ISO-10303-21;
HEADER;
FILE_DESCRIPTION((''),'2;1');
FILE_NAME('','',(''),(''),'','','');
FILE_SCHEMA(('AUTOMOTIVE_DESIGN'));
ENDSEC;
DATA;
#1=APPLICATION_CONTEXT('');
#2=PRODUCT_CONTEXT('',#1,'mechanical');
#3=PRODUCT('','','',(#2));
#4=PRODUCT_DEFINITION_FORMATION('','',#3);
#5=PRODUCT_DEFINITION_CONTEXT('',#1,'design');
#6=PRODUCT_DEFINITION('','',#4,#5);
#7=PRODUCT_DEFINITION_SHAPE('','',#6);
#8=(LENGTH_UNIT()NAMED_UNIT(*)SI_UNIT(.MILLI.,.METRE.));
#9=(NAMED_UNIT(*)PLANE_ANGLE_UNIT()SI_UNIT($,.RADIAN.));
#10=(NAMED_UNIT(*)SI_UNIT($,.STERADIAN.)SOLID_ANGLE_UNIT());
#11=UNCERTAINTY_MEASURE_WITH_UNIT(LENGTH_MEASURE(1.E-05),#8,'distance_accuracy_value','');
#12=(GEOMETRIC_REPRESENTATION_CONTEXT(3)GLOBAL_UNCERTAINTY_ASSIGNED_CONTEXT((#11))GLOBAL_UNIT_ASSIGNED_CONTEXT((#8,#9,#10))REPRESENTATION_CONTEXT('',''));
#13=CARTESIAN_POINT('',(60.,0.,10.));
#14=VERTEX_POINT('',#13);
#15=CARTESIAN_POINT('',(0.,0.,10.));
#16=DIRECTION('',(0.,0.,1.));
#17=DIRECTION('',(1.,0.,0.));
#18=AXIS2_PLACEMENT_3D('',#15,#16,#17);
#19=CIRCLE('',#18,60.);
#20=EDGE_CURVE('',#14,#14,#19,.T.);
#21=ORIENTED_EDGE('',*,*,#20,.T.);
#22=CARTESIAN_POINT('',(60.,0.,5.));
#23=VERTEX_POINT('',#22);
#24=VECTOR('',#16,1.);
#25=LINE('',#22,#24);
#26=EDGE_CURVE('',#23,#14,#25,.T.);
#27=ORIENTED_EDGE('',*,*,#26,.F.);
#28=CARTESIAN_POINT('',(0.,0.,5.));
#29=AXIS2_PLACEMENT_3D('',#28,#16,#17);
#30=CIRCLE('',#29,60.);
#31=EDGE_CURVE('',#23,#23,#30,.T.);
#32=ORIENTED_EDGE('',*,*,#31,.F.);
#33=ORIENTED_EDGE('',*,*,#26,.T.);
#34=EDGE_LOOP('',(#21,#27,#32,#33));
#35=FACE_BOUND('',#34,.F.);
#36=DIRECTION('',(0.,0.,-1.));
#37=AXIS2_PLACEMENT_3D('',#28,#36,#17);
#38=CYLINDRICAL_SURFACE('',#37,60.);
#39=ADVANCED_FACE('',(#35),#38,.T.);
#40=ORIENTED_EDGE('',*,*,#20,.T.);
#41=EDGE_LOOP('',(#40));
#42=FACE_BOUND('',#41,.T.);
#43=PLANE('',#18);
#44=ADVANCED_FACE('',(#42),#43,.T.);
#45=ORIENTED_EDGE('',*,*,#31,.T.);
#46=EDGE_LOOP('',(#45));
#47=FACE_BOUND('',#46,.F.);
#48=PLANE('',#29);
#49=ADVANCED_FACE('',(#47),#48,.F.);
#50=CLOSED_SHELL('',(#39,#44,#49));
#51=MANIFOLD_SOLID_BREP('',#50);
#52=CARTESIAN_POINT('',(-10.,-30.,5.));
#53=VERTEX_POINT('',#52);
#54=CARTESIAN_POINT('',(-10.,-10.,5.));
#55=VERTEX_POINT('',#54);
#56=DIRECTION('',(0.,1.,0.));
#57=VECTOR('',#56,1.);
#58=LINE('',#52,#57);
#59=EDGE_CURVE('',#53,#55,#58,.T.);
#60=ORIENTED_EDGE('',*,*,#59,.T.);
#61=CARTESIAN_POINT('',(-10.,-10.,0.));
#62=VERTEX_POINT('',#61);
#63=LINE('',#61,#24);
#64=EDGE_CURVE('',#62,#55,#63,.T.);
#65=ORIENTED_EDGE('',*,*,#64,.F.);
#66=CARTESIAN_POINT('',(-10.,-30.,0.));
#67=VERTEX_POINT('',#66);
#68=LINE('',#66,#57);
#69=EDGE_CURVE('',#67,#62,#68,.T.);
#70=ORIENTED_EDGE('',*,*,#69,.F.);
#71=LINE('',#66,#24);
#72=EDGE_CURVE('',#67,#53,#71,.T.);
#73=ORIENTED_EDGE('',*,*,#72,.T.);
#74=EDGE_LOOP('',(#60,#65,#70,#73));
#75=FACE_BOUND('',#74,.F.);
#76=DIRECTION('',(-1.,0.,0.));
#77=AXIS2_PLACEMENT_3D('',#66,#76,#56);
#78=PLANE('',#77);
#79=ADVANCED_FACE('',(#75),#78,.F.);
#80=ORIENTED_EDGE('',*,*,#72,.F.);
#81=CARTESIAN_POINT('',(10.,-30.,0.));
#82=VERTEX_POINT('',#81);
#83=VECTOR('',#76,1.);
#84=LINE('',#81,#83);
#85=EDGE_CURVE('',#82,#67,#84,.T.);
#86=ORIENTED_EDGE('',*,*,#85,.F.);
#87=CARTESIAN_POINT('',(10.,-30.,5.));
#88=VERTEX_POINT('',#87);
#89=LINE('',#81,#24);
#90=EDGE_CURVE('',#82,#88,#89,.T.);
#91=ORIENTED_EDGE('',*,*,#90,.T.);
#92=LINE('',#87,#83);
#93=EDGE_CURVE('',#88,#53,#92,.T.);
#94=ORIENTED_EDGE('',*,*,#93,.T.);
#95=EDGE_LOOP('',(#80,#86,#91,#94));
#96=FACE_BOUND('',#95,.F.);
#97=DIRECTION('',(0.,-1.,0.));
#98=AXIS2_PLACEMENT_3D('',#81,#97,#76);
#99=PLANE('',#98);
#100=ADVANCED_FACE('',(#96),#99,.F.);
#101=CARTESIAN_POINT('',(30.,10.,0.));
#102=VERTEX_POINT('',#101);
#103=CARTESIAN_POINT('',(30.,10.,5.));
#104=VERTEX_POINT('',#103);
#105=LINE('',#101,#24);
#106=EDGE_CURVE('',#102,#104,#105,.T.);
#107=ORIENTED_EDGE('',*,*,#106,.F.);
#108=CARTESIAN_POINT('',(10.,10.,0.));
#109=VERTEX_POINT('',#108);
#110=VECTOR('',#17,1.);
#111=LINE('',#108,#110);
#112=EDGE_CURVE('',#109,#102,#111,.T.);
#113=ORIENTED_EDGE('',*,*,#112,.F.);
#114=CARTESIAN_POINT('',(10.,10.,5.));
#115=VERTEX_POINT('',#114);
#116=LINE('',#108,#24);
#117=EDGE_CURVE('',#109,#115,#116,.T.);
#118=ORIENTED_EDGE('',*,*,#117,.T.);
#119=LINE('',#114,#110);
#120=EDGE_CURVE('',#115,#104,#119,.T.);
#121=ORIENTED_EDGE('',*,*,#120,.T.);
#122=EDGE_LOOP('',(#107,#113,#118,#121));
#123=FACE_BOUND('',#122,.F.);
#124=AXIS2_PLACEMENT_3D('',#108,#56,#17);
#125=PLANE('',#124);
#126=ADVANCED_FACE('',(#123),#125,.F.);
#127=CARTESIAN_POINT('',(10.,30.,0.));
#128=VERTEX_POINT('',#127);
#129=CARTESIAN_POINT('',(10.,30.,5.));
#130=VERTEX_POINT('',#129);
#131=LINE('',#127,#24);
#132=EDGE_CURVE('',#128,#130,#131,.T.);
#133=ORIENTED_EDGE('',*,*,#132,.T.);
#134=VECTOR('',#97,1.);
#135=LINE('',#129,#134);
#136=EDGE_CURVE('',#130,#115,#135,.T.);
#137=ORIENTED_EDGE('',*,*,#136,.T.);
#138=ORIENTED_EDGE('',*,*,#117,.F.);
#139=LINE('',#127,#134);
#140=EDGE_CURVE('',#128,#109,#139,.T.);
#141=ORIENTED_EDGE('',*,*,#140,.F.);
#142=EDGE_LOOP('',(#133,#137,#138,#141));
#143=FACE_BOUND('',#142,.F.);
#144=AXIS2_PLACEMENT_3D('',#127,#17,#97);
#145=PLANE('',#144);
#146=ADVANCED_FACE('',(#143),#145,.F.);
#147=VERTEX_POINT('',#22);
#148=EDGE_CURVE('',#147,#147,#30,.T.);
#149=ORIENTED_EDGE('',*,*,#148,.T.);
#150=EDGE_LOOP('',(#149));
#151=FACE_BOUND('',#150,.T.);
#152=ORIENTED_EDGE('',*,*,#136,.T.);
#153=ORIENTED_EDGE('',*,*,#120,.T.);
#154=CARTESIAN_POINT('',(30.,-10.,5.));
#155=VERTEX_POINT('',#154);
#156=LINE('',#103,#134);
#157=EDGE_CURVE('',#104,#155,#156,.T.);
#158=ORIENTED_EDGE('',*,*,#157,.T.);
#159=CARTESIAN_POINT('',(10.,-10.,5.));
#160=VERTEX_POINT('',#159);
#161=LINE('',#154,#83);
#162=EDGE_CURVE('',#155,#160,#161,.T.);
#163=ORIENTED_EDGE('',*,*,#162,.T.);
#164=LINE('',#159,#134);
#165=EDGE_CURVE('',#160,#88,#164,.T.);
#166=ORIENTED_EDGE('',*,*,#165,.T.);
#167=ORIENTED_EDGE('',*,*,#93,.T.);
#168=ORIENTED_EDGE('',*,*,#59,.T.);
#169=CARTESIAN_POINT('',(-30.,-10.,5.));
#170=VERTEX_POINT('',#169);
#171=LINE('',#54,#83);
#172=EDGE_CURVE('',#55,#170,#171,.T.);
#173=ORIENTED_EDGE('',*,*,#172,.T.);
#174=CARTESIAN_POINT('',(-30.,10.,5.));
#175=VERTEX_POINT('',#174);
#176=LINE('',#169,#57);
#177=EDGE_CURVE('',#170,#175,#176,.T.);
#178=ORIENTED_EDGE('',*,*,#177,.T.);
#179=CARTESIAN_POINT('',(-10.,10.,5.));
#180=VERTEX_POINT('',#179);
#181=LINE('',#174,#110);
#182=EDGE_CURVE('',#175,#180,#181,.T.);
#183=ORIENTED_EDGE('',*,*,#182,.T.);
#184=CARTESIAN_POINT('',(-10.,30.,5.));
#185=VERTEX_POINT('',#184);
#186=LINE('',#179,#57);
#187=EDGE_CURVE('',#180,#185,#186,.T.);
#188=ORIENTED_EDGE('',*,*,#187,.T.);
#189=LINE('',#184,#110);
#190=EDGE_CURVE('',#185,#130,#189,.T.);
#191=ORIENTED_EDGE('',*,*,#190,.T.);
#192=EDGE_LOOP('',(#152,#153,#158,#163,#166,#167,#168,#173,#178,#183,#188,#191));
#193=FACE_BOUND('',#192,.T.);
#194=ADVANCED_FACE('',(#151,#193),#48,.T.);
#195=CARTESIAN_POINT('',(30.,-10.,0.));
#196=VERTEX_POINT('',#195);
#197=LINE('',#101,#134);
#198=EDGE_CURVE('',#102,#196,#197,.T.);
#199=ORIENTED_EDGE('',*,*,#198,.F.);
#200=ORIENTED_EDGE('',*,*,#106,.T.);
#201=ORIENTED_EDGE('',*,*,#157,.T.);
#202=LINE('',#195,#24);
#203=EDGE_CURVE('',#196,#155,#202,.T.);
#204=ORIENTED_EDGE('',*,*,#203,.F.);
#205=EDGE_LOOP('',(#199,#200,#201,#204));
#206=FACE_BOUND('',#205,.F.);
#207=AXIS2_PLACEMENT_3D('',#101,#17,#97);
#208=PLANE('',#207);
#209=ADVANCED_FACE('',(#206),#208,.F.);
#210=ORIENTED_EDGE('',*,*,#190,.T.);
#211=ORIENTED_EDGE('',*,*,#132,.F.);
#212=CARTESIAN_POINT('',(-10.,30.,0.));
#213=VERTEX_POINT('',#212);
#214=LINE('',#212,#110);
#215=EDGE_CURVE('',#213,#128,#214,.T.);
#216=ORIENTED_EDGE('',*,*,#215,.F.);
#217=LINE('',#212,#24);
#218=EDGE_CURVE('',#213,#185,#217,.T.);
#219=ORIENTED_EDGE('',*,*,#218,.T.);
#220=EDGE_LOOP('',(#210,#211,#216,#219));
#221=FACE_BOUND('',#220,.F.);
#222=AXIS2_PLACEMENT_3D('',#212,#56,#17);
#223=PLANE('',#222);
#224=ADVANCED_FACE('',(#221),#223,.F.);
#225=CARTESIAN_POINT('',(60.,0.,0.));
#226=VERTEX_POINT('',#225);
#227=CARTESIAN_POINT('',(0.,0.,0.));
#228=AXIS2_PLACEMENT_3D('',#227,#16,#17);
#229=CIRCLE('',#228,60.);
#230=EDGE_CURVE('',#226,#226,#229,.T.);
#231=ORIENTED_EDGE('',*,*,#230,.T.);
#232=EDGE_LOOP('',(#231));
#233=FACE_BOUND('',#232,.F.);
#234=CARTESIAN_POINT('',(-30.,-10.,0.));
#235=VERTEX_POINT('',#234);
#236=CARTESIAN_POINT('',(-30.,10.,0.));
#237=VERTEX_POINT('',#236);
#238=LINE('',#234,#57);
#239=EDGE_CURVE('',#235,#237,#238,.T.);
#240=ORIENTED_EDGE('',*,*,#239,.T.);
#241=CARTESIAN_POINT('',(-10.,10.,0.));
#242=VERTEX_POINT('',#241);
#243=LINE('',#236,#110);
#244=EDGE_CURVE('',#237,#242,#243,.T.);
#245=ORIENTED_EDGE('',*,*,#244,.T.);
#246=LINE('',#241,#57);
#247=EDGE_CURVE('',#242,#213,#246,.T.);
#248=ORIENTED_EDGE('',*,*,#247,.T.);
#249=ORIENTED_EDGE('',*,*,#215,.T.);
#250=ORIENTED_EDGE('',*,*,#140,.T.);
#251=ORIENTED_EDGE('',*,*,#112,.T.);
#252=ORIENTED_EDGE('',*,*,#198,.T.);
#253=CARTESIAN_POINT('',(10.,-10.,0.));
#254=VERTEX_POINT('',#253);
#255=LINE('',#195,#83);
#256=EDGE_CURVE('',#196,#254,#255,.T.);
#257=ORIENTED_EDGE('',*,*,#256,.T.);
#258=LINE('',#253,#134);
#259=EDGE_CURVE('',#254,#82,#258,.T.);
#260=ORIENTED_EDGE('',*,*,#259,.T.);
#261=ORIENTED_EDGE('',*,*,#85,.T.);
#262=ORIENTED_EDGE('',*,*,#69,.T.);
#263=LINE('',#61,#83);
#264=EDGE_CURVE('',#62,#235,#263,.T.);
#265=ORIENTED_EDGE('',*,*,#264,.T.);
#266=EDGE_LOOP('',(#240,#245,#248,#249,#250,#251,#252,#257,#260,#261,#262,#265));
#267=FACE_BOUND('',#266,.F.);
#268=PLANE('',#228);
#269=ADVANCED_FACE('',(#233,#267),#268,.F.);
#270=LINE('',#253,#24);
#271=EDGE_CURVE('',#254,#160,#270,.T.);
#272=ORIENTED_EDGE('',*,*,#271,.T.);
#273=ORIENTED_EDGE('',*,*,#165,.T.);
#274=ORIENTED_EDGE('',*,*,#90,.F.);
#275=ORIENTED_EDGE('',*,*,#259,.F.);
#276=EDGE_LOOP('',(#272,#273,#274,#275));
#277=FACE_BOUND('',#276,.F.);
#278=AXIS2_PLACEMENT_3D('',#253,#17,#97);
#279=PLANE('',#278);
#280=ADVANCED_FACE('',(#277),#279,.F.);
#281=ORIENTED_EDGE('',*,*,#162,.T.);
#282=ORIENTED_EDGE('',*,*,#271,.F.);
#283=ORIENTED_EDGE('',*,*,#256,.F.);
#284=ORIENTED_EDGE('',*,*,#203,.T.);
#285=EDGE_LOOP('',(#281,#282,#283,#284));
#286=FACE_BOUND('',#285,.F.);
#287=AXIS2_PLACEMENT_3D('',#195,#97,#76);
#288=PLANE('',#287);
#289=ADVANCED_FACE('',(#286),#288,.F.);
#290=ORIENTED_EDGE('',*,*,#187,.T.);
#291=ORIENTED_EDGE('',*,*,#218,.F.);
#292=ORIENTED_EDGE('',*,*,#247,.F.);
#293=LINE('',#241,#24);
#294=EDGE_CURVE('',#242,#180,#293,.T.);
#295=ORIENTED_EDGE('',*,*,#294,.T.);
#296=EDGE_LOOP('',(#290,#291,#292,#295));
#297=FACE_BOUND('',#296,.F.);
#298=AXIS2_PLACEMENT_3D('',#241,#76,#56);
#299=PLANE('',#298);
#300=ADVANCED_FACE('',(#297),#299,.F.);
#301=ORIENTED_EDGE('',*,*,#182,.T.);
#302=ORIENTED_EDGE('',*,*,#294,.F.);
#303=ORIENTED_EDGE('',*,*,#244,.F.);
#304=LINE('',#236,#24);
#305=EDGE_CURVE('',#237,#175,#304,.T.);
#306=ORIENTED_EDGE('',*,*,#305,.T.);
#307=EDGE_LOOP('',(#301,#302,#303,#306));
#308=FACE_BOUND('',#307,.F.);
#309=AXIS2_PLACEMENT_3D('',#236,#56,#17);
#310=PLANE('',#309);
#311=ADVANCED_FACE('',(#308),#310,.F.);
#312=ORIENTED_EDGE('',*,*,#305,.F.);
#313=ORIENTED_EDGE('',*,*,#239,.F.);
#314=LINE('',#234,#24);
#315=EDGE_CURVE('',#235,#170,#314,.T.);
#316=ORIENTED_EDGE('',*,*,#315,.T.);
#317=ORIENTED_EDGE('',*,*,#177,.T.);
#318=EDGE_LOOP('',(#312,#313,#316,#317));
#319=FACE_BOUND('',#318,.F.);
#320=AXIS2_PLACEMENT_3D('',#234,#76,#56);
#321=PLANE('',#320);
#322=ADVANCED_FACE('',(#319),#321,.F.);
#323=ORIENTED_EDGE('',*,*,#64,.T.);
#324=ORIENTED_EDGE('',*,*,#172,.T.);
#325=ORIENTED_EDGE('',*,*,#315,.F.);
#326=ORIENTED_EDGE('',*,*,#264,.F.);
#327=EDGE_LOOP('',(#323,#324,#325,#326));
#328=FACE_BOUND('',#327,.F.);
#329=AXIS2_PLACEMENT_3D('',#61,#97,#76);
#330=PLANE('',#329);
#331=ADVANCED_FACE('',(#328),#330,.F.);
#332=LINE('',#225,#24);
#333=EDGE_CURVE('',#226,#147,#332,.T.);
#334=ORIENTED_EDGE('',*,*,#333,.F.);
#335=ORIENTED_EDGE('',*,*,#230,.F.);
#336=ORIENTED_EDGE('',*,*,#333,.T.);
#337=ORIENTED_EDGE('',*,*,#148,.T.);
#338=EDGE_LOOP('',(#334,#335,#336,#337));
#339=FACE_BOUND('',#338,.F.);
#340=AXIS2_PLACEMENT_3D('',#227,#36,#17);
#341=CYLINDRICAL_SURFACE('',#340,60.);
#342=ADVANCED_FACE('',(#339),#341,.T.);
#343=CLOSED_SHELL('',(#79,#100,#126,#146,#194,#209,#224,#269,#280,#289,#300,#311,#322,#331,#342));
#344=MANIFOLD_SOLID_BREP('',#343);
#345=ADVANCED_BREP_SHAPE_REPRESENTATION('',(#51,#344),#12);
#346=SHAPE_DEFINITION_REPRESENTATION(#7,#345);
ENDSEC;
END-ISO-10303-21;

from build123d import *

# Parameters (mm, degrees)
F0_R     = 60
F1_DEPTH = 5
F2_R     = 60
F3_DEPTH = 5


with BuildPart() as f1:
    # F0 (on Top) → F1 (new body)
    with BuildSketch(Plane.XY):
        Circle(F0_R)
        Polygon((-10, 30), (0, 30), (10, 30), (10, 10), (30, 10), (30, 0), (30, -10), (10, -10), (10, -30), (0, -30), (-10, -30), (-10, -10), (-30, -10), (-30, 0), (-30, 10), (-10, 10), align=None, mode=Mode.SUBTRACT)
    extrude(amount=F1_DEPTH)


with BuildPart() as f3:
    # F2 (on face) → F3 (new body)
    with BuildSketch(Plane.XY.offset(5)):
        Circle(F2_R)
    extrude(amount=F3_DEPTH)


solid = Compound([f1.part, f3.part])
